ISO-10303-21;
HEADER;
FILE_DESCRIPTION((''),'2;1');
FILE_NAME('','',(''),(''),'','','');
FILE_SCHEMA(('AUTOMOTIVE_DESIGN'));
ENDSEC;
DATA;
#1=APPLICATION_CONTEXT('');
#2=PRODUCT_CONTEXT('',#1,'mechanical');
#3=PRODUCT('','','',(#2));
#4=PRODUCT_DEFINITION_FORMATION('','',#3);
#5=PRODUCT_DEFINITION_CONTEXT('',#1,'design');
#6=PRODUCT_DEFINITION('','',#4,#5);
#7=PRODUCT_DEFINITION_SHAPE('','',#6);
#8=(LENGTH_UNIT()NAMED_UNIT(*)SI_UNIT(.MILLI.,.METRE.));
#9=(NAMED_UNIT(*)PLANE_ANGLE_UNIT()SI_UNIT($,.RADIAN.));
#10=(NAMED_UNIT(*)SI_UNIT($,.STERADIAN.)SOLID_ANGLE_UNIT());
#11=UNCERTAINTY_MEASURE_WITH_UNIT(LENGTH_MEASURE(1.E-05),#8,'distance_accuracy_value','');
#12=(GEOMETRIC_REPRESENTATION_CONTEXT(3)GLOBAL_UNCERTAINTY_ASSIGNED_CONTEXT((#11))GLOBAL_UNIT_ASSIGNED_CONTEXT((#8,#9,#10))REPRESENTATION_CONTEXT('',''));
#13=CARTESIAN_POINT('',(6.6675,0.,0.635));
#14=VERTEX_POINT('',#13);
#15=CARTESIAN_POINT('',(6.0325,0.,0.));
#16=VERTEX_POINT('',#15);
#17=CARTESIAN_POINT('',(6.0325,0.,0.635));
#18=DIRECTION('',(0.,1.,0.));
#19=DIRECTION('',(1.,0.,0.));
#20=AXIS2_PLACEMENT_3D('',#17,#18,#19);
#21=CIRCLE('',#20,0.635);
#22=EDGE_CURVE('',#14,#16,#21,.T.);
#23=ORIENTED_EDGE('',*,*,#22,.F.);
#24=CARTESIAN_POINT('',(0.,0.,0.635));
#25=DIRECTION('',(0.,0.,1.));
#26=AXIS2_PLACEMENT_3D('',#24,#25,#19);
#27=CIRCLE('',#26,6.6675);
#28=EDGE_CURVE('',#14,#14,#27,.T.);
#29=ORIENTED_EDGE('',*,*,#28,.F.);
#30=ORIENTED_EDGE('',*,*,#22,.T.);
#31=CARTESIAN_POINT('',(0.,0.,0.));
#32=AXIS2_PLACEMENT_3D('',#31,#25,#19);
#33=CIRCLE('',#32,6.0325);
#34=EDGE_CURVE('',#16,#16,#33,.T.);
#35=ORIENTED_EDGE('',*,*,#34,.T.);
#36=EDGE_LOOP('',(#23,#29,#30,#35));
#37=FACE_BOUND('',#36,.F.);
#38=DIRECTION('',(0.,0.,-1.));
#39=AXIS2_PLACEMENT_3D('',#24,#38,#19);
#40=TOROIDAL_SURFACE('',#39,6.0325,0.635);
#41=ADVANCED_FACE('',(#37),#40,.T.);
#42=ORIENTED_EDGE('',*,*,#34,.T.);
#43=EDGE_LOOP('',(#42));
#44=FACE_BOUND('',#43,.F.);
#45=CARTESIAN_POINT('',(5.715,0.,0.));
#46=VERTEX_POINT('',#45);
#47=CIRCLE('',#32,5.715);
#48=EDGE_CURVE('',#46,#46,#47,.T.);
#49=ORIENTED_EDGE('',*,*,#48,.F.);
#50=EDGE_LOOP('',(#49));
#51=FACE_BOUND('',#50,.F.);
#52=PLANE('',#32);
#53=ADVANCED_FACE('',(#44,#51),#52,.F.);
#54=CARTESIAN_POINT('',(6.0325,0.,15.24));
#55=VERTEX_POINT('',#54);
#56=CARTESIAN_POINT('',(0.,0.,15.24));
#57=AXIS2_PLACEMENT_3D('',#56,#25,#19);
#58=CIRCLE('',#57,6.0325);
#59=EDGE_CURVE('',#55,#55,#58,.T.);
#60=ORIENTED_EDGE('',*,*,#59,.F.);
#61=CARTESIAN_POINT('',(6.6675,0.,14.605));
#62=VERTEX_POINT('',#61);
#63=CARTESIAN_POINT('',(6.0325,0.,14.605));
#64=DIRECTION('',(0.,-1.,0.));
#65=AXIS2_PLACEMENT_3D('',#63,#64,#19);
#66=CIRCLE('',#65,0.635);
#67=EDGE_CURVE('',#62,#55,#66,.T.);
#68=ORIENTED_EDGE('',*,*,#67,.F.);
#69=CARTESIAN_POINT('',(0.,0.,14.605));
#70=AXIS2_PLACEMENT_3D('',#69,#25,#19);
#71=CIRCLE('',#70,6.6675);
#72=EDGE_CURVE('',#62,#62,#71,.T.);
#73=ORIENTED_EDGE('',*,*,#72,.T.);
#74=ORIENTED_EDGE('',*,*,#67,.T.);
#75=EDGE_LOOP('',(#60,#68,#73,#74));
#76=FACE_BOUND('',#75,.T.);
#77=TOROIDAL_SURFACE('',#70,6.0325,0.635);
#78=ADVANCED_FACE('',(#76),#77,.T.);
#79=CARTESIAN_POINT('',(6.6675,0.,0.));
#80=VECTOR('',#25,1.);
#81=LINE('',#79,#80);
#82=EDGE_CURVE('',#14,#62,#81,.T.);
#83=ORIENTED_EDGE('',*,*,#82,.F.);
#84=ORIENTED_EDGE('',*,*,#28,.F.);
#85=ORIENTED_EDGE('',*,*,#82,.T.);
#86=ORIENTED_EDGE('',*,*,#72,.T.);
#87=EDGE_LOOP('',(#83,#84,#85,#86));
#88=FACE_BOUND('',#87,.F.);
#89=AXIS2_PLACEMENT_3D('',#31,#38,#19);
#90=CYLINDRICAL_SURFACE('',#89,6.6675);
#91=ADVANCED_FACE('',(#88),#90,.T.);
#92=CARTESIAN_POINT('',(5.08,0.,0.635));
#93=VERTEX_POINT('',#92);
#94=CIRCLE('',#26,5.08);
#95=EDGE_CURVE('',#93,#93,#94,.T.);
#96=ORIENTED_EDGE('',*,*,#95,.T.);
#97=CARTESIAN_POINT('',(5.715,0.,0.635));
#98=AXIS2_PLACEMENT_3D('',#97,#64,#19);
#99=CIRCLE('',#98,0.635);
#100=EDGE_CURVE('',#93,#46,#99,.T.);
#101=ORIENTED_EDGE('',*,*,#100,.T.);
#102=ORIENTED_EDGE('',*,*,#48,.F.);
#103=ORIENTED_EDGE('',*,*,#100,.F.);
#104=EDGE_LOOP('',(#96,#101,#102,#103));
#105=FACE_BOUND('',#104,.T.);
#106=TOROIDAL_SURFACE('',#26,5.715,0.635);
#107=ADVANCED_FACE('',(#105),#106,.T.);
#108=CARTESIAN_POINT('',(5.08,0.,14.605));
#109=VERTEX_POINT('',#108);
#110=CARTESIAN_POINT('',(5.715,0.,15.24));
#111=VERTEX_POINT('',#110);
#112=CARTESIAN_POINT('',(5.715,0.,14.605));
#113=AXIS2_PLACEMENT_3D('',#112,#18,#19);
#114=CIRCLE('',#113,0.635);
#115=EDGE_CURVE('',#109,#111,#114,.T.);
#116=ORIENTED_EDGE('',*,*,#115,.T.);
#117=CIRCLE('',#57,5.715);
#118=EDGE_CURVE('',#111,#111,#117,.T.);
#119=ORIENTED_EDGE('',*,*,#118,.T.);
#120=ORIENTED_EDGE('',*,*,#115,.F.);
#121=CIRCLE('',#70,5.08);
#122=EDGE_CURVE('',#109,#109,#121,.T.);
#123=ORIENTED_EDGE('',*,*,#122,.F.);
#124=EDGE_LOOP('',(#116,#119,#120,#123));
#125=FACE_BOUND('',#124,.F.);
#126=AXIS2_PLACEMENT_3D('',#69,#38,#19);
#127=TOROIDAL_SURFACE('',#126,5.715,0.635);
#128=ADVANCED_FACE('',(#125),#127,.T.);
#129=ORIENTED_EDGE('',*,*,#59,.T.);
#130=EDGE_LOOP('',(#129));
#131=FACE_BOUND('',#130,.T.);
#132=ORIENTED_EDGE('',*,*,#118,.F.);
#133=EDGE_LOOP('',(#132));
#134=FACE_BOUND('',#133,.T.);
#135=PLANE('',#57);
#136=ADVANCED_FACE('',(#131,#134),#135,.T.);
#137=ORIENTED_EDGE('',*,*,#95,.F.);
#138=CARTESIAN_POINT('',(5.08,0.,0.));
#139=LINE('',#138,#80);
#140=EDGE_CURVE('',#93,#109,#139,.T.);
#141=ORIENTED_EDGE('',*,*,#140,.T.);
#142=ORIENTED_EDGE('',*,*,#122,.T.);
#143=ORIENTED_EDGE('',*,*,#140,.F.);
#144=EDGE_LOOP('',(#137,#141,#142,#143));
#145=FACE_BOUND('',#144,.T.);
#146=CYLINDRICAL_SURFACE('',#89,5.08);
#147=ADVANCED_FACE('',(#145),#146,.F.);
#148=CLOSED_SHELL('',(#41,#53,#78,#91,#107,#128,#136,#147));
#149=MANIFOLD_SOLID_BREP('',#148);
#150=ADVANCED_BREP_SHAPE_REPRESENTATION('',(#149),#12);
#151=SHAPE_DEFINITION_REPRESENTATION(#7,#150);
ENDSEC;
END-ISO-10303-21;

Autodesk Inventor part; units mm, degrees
ref_plane "YZ Plane" through (0, 0, 0) normal (1, 0, 0) x (0, 1, 0)
ref_plane "XZ Plane" through (0, 0, 0) normal (0, 1, 0) x (-1, 0, 0)
ref_plane "XY Plane" through (0, 0, 0) normal (0, 0, 1) x (1, 0, 0)
sketch "Sketch1" plane through (0, 0, 0) normal (0, 0, 1) x (1, 0, 0)
  circle A0 centre (0, 0) radius 6.6675
  circle A1 centre (0, 0) radius 5.08
  dimension "d0" = 13.335
  dimension "d1" = 10.16
extrude "Extrusion1" add sketch "Sketch1" along normal blind 15.24
fillet "Fillet1" radius 0.635 4 edges at (-6.6675, 0, 15.24) (-5.08, 0, 15.24) (-6.6675, 0, 0) (-5.08, 0, 0)
properties part number "Spacer"
